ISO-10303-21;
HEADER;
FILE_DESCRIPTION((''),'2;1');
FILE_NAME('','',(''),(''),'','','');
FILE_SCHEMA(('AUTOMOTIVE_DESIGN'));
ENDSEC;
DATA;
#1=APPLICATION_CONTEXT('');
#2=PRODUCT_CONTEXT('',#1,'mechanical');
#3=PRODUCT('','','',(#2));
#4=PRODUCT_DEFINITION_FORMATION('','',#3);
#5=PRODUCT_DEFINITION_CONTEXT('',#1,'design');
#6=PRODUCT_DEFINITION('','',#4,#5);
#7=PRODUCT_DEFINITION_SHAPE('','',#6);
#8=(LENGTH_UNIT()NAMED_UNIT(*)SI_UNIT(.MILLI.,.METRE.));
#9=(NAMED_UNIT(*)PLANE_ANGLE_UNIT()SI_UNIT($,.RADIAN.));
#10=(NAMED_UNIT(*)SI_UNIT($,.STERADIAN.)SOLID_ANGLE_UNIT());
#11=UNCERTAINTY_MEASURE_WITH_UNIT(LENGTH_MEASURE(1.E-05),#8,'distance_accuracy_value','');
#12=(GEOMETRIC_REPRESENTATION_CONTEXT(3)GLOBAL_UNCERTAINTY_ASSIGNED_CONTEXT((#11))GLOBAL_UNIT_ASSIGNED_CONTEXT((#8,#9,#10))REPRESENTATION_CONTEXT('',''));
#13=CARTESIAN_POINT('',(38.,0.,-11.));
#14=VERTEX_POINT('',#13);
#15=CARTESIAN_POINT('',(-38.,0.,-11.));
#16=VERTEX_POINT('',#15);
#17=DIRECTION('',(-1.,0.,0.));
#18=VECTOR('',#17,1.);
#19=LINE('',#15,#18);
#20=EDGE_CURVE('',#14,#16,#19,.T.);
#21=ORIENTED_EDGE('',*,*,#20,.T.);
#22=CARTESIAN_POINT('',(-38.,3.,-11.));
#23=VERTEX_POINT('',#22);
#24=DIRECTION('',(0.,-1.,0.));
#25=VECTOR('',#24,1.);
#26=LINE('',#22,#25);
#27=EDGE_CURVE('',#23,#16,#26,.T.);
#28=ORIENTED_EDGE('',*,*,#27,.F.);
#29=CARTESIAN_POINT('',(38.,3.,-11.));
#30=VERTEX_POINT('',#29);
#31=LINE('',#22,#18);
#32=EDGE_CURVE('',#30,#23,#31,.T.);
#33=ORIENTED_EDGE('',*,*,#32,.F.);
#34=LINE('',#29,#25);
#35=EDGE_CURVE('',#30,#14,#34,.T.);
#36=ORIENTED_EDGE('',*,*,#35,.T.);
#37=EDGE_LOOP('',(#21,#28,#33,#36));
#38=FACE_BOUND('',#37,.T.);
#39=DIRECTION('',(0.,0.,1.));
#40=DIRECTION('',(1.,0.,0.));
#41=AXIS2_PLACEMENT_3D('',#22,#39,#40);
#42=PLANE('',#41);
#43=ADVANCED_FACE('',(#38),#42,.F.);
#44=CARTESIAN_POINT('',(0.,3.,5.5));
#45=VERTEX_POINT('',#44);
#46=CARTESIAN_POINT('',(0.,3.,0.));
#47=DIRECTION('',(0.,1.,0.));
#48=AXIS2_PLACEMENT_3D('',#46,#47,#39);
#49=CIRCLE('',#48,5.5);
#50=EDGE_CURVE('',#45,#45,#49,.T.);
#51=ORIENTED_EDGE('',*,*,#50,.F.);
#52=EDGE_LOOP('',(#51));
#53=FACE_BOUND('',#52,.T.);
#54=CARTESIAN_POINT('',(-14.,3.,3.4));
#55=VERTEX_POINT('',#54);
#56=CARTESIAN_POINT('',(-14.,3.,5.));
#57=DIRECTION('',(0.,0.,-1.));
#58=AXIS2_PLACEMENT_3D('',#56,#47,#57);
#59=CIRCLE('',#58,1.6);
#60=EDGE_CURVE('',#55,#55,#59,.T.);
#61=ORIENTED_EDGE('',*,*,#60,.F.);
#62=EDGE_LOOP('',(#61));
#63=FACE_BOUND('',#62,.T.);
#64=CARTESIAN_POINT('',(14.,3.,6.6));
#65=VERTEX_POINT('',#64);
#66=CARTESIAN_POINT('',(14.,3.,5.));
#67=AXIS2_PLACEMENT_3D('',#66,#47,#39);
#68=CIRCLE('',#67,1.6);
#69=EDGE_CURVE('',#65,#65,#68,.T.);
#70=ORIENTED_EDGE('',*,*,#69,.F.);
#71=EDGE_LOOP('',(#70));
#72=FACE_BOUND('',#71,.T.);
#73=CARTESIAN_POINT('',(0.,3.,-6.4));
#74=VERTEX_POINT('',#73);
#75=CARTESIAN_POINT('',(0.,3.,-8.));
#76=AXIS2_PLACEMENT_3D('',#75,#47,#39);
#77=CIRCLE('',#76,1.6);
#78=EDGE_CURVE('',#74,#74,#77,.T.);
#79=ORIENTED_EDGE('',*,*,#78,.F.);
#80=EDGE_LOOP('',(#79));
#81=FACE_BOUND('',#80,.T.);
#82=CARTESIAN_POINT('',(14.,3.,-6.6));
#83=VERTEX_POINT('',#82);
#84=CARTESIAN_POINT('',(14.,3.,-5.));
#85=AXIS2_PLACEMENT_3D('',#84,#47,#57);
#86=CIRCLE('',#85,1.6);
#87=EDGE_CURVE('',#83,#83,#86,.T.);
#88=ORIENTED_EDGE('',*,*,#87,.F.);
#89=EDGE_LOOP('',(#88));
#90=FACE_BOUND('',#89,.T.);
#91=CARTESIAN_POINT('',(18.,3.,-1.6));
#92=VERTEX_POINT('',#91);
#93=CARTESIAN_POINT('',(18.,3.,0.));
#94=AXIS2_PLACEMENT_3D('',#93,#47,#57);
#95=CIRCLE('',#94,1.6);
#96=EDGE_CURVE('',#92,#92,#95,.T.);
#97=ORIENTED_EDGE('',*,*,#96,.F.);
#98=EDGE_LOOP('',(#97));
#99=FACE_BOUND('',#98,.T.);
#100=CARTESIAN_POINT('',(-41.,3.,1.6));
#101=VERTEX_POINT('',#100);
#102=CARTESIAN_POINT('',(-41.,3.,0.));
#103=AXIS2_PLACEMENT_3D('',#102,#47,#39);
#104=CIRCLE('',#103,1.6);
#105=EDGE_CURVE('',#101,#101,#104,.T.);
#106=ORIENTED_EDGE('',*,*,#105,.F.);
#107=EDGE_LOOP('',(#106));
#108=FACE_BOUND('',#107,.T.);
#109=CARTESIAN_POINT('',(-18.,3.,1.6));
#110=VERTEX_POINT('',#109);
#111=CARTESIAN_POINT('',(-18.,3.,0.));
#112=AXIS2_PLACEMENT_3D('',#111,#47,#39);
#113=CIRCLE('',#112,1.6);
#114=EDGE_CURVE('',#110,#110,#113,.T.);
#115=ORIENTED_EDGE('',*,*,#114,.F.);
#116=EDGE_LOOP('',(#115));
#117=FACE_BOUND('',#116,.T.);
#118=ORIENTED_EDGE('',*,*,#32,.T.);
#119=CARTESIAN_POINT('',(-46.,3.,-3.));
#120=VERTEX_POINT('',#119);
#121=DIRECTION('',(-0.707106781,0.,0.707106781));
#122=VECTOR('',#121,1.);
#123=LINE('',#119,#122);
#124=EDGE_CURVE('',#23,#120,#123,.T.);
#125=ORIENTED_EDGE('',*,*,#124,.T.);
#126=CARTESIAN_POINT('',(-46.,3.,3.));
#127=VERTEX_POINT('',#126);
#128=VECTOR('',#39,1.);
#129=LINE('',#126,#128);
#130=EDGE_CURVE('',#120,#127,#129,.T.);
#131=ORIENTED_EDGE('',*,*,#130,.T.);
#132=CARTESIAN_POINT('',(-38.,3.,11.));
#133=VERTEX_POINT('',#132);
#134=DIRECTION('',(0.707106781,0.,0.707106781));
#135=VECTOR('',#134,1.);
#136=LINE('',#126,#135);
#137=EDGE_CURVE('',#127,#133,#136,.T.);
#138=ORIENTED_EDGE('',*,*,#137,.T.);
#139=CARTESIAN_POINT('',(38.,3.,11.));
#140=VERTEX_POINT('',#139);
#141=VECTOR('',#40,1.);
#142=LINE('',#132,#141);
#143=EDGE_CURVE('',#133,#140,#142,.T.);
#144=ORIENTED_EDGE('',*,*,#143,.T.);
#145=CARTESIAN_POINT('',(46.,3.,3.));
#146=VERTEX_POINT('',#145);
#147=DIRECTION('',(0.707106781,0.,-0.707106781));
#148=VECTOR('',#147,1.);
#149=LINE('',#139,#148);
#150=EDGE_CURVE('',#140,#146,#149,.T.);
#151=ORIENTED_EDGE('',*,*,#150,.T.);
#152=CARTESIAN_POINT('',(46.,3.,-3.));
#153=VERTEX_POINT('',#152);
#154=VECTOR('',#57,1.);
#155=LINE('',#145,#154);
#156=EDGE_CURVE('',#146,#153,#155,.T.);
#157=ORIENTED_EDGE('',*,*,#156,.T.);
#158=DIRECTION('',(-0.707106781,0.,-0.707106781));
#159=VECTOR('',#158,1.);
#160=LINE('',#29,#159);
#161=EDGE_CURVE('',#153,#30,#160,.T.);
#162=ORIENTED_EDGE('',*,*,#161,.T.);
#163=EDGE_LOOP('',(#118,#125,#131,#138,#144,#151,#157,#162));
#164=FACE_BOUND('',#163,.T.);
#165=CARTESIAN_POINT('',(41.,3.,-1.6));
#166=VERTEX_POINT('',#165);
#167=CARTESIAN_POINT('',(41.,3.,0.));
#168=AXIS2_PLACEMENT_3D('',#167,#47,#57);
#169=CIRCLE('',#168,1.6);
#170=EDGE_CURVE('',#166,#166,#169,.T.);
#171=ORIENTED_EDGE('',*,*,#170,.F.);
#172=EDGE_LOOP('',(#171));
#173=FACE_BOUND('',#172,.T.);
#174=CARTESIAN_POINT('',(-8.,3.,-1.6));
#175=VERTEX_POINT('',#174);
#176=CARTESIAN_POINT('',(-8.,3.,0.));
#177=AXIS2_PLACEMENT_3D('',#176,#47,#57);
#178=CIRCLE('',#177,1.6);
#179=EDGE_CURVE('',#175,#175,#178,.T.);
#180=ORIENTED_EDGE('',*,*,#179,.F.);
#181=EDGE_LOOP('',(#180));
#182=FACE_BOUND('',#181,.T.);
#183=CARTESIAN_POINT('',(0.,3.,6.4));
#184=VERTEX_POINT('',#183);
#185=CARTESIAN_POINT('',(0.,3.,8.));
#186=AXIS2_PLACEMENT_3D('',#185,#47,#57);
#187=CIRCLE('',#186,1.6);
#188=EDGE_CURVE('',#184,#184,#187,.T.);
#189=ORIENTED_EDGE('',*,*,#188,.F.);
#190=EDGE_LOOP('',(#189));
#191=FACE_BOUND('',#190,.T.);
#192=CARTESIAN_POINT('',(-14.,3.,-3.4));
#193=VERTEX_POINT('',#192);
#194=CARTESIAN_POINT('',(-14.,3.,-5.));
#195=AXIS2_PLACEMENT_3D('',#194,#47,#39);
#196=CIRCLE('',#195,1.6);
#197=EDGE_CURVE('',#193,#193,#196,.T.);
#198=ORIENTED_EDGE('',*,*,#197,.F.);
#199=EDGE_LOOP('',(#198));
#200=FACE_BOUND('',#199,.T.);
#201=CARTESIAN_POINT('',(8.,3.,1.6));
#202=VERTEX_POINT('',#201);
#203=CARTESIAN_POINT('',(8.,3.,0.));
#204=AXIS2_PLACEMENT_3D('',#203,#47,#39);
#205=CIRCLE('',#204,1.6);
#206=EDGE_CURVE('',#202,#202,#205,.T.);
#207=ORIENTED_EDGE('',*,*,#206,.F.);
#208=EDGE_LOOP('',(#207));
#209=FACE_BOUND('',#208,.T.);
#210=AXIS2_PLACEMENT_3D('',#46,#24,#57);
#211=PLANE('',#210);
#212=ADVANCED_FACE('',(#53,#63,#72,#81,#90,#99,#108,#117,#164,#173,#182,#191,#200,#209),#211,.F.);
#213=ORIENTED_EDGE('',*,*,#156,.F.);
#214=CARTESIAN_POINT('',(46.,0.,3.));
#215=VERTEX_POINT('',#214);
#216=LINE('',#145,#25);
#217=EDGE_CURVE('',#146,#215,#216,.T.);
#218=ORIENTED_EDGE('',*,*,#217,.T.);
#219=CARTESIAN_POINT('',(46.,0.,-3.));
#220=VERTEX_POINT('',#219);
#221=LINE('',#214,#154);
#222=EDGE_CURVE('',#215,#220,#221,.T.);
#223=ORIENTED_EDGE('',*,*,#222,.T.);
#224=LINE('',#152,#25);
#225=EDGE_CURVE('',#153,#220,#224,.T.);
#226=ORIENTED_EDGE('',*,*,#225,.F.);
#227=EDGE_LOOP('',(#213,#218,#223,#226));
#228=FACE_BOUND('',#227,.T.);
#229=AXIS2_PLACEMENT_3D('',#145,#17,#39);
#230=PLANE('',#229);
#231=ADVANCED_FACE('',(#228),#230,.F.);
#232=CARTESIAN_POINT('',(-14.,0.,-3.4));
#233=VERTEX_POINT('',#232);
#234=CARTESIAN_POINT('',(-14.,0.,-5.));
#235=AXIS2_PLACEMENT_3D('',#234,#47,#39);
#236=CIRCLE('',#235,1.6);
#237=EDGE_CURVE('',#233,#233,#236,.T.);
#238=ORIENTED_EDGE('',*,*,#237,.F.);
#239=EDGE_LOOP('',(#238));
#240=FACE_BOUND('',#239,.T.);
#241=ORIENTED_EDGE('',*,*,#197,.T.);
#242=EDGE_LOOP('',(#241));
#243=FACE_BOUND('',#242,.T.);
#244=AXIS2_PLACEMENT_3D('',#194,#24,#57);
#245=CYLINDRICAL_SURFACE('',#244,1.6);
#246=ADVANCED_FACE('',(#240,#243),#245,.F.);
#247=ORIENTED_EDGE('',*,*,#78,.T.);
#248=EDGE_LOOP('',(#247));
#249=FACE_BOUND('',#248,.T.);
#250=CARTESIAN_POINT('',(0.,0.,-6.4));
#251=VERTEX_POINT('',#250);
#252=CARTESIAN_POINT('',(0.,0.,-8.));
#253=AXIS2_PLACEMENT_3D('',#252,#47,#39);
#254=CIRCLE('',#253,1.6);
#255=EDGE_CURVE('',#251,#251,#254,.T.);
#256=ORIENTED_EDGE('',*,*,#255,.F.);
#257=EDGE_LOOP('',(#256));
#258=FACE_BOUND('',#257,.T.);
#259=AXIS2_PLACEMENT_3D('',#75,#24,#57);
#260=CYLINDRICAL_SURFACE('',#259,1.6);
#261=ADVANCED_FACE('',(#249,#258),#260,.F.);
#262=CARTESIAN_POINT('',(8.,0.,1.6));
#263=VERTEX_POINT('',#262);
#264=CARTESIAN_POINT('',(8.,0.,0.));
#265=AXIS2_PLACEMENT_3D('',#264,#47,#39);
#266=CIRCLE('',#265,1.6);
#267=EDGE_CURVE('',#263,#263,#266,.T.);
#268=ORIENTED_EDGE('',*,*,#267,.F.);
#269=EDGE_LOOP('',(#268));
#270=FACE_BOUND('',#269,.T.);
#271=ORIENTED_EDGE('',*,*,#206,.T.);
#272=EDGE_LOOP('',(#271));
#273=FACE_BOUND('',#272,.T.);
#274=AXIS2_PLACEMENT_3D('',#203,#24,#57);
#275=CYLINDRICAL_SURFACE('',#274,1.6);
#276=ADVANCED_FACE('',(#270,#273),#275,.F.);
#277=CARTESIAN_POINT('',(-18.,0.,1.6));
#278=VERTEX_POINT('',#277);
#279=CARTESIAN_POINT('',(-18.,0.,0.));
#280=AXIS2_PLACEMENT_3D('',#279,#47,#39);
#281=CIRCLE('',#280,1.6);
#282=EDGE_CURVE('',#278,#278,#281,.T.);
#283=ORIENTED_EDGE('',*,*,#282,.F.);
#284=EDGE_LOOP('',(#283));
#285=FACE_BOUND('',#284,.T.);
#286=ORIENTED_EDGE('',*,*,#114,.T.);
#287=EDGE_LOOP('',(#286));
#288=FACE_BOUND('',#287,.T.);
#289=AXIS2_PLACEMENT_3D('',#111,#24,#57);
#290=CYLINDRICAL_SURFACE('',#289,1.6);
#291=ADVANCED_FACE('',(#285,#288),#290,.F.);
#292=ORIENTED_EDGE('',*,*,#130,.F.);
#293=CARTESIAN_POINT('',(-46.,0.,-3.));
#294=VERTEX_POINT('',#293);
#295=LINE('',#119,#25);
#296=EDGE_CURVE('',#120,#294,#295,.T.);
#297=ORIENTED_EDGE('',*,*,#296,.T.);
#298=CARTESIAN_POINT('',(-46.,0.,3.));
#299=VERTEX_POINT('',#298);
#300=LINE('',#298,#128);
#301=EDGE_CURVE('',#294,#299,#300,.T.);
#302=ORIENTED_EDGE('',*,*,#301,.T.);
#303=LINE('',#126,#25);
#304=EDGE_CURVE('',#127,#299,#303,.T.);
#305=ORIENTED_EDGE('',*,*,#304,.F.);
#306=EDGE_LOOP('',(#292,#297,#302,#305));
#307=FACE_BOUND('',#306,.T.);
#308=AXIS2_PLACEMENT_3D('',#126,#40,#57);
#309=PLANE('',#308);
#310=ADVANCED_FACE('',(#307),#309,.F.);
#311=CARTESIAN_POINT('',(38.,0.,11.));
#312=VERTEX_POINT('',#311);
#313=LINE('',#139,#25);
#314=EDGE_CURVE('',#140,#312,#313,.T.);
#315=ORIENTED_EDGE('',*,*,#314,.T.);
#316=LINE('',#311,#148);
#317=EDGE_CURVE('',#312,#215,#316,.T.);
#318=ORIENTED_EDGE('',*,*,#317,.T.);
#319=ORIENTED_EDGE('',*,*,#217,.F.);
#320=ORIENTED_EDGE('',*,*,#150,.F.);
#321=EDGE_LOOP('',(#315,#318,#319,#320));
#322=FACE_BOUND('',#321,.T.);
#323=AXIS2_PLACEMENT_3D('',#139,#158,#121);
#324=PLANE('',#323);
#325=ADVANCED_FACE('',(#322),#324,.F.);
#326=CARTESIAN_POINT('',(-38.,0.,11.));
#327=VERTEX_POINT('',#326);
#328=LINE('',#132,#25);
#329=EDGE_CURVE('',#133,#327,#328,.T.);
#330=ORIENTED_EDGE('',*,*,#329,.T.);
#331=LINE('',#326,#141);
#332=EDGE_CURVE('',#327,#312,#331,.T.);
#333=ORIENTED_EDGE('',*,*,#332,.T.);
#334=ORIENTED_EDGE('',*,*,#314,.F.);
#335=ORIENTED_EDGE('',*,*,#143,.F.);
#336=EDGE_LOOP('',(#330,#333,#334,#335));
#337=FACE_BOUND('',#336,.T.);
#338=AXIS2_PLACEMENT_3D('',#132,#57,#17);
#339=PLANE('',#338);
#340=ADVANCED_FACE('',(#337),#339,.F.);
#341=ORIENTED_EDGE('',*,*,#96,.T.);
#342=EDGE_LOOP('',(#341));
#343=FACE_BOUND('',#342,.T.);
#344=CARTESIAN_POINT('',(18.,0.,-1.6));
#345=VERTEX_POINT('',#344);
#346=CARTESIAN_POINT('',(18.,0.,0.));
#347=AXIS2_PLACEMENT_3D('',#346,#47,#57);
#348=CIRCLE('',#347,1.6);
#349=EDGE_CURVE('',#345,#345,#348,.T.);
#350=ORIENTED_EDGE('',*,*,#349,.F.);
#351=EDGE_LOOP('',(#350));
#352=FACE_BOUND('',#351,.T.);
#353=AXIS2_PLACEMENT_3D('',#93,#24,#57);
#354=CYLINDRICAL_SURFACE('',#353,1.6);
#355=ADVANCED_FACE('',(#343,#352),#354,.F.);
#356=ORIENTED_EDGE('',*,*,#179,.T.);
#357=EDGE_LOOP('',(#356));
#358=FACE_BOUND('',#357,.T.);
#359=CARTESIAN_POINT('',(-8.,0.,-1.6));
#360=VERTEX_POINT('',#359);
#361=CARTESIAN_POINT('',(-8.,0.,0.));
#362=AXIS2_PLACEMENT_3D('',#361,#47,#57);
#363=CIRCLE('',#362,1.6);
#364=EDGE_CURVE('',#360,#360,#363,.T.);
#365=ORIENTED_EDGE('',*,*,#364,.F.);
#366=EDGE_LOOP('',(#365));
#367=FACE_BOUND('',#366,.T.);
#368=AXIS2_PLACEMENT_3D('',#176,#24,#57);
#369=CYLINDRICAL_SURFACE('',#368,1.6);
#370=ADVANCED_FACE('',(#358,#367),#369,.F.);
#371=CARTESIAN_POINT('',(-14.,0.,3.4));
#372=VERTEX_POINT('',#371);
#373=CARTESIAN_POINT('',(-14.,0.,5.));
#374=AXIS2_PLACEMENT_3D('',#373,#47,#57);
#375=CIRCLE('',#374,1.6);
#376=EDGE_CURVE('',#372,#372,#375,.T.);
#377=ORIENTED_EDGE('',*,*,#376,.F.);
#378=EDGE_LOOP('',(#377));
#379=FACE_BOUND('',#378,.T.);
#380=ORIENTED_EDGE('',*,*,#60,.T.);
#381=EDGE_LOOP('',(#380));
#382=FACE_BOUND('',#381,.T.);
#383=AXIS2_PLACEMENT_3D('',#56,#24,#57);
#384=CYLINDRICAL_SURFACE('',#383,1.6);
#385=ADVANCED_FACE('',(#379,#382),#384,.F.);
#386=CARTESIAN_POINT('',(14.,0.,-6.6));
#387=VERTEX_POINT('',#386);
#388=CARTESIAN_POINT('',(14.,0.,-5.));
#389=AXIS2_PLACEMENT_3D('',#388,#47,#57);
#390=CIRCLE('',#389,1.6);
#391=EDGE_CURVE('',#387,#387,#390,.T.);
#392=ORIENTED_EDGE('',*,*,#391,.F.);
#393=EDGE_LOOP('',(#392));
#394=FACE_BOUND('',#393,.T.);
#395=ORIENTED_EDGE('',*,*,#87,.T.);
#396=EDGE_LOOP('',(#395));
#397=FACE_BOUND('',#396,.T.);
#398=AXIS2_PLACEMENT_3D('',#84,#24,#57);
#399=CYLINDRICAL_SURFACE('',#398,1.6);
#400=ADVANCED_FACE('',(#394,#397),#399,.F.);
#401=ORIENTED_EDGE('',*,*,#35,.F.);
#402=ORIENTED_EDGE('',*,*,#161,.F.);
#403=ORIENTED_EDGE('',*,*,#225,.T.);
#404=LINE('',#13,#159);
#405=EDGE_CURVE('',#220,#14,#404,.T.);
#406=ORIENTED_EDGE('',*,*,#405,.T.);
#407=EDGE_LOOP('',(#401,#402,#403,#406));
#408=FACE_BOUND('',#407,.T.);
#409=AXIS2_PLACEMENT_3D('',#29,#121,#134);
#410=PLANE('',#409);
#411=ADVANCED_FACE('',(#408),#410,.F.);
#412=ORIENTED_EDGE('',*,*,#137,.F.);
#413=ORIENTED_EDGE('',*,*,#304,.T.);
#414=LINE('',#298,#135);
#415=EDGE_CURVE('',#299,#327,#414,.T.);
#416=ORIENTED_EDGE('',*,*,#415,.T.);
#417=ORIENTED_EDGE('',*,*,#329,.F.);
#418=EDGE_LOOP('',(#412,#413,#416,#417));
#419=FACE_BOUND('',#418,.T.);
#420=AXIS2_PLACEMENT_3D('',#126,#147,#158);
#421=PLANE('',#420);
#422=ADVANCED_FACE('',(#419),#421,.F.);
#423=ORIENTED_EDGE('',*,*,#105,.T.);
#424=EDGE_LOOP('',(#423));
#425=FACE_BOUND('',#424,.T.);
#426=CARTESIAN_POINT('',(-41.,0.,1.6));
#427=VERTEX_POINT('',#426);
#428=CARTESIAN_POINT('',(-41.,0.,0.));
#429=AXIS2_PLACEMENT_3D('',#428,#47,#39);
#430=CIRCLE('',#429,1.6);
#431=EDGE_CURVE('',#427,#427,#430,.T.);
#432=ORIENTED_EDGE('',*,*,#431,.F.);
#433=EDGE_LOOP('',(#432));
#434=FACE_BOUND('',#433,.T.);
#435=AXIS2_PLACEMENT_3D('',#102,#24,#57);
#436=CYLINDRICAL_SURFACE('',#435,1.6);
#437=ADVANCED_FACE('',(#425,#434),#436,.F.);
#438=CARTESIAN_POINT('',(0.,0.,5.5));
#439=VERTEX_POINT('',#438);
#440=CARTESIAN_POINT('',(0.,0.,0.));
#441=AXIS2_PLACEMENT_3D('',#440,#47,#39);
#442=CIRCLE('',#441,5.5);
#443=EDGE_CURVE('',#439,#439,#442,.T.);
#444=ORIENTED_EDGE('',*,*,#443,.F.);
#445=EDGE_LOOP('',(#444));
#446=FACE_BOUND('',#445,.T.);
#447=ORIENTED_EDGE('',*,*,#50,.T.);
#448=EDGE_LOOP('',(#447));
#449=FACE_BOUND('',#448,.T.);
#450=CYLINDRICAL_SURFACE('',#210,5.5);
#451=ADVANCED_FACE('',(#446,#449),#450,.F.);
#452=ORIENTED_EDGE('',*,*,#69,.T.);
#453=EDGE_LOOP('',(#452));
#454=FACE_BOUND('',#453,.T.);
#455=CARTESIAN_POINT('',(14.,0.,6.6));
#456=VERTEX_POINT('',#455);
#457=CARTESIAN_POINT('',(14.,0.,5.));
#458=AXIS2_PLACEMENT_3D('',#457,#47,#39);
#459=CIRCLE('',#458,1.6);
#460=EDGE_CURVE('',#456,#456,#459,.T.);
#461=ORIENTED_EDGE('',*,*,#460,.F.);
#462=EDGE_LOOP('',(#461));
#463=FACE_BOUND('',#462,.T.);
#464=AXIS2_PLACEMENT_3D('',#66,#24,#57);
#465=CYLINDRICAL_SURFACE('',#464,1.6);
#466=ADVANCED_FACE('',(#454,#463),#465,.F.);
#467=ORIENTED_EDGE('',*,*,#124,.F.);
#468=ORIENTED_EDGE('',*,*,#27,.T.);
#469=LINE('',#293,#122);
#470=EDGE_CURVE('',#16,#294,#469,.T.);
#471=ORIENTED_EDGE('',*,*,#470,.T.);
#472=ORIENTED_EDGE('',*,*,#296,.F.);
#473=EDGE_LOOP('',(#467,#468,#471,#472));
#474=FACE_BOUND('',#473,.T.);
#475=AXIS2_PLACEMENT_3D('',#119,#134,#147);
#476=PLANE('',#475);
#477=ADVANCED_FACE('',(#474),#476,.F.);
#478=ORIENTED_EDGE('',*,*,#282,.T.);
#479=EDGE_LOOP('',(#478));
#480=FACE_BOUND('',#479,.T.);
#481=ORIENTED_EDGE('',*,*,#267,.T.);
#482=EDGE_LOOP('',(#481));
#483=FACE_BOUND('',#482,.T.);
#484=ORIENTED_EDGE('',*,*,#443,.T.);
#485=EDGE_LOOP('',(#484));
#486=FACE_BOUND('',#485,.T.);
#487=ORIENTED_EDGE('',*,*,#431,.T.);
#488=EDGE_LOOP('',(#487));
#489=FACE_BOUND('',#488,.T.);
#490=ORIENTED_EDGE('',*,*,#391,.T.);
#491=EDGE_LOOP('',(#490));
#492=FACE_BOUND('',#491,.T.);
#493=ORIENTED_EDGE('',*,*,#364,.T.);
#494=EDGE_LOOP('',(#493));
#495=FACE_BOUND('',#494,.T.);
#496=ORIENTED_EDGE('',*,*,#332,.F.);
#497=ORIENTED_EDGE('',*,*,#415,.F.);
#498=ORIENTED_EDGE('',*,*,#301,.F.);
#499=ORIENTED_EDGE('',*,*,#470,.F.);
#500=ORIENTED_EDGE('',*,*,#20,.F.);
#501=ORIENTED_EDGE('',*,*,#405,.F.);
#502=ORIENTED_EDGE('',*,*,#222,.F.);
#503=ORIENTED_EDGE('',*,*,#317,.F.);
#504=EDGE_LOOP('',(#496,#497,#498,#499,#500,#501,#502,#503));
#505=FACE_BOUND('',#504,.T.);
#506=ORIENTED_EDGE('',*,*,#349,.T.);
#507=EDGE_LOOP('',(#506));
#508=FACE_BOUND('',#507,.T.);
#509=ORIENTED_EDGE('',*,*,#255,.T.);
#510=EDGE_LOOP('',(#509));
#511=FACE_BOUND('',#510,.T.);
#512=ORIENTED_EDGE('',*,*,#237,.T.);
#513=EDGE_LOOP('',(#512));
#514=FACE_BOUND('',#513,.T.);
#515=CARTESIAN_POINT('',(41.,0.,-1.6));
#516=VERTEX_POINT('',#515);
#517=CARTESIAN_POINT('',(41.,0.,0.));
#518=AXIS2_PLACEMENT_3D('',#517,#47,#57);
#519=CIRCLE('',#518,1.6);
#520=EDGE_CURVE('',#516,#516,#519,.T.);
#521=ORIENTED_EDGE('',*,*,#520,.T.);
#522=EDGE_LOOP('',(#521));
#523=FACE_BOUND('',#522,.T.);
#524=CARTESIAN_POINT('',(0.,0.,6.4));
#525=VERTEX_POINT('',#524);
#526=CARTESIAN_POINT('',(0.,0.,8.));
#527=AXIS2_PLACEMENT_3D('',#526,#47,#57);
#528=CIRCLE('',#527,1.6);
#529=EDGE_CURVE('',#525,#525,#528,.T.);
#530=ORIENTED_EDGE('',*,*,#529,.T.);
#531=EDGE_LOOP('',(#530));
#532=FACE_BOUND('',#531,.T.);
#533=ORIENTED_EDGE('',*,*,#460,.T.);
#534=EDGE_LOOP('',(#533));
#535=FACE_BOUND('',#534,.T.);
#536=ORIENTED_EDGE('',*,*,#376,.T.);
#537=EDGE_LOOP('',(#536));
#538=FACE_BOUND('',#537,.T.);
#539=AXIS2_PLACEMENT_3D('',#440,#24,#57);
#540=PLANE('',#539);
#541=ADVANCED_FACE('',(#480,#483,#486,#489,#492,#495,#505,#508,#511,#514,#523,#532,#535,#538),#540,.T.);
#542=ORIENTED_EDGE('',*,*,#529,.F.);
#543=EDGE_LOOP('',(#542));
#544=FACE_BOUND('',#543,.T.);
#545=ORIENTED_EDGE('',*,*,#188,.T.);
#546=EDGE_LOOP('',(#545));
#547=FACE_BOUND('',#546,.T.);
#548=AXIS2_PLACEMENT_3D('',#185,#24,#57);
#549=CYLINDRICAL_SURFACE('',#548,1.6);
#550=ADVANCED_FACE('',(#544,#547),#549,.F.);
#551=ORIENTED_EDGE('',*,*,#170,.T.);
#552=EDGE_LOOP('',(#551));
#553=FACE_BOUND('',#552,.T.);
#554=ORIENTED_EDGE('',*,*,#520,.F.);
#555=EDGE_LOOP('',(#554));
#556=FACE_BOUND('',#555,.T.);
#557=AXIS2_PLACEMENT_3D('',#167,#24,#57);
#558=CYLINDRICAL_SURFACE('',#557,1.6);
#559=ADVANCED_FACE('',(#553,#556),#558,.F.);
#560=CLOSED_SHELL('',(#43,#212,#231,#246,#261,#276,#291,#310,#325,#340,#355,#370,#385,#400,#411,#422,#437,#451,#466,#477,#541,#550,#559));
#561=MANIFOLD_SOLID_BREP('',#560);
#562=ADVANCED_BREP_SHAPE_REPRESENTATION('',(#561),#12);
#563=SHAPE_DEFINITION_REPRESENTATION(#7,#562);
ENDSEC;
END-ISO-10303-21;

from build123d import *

# Parameters (mm, degrees)
SKETCH_1_R      = 1.6
SKETCH_1_R_2    = 5.5
EXTRUDE_1_DEPTH = 3


with BuildPart() as part:
    # 草图1 → 凸台-拉伸1 (new body)
    with BuildSketch(Plane(origin=(0, 0, 0), x_dir=(1, 0, 0), z_dir=(0, 1, 0))):
        Polygon((-46, 3), (-38, 11), (38, 11), (46, 3), (46, -3), (38, -11), (-38, -11), (-46, -3), align=None)
        with Locations(Location((0, 8, 0), (0, 0, 270))):
            Circle(SKETCH_1_R, mode=Mode.SUBTRACT)
        with Locations(Location((8, 0, 0), (0, 0, 270))):
            Circle(SKETCH_1_R, mode=Mode.SUBTRACT)
        with Locations(Location((-8, 0, 0), (0, 0, 90))):
            Circle(SKETCH_1_R, mode=Mode.SUBTRACT)
        with Locations(Location((0, 0, 0), (0, 0, 270))):
            Circle(SKETCH_1_R_2, mode=Mode.SUBTRACT)
        with Locations(Location((0, -8, 0), (0, 0, 90))):
            Circle(SKETCH_1_R, mode=Mode.SUBTRACT)
        with Locations(Location((-18, 0, 0), (0, 0, 270))):
            Circle(SKETCH_1_R, mode=Mode.SUBTRACT)
        with Locations(Location((-14, 5, 0), (0, 0, 270))):
            Circle(SKETCH_1_R, mode=Mode.SUBTRACT)
        with Locations(Location((-14, -5, 0), (0, 0, 90))):
            Circle(SKETCH_1_R, mode=Mode.SUBTRACT)
        with Locations(Location((14, -5, 0), (0, 0, 270))):
            Circle(SKETCH_1_R, mode=Mode.SUBTRACT)
        with Locations(Location((18, 0, 0), (0, 0, 90))):
            Circle(SKETCH_1_R, mode=Mode.SUBTRACT)
        with Locations(Location((14, 5, 0), (0, 0, 90))):
            Circle(SKETCH_1_R, mode=Mode.SUBTRACT)
        with Locations(Location((-41, 0, 0), (0, 0, 270))):
            Circle(SKETCH_1_R, mode=Mode.SUBTRACT)
        with Locations(Location((41, 0, 0), (0, 0, 90))):
            Circle(SKETCH_1_R, mode=Mode.SUBTRACT)
    extrude(amount=EXTRUDE_1_DEPTH)


solid = part.part
